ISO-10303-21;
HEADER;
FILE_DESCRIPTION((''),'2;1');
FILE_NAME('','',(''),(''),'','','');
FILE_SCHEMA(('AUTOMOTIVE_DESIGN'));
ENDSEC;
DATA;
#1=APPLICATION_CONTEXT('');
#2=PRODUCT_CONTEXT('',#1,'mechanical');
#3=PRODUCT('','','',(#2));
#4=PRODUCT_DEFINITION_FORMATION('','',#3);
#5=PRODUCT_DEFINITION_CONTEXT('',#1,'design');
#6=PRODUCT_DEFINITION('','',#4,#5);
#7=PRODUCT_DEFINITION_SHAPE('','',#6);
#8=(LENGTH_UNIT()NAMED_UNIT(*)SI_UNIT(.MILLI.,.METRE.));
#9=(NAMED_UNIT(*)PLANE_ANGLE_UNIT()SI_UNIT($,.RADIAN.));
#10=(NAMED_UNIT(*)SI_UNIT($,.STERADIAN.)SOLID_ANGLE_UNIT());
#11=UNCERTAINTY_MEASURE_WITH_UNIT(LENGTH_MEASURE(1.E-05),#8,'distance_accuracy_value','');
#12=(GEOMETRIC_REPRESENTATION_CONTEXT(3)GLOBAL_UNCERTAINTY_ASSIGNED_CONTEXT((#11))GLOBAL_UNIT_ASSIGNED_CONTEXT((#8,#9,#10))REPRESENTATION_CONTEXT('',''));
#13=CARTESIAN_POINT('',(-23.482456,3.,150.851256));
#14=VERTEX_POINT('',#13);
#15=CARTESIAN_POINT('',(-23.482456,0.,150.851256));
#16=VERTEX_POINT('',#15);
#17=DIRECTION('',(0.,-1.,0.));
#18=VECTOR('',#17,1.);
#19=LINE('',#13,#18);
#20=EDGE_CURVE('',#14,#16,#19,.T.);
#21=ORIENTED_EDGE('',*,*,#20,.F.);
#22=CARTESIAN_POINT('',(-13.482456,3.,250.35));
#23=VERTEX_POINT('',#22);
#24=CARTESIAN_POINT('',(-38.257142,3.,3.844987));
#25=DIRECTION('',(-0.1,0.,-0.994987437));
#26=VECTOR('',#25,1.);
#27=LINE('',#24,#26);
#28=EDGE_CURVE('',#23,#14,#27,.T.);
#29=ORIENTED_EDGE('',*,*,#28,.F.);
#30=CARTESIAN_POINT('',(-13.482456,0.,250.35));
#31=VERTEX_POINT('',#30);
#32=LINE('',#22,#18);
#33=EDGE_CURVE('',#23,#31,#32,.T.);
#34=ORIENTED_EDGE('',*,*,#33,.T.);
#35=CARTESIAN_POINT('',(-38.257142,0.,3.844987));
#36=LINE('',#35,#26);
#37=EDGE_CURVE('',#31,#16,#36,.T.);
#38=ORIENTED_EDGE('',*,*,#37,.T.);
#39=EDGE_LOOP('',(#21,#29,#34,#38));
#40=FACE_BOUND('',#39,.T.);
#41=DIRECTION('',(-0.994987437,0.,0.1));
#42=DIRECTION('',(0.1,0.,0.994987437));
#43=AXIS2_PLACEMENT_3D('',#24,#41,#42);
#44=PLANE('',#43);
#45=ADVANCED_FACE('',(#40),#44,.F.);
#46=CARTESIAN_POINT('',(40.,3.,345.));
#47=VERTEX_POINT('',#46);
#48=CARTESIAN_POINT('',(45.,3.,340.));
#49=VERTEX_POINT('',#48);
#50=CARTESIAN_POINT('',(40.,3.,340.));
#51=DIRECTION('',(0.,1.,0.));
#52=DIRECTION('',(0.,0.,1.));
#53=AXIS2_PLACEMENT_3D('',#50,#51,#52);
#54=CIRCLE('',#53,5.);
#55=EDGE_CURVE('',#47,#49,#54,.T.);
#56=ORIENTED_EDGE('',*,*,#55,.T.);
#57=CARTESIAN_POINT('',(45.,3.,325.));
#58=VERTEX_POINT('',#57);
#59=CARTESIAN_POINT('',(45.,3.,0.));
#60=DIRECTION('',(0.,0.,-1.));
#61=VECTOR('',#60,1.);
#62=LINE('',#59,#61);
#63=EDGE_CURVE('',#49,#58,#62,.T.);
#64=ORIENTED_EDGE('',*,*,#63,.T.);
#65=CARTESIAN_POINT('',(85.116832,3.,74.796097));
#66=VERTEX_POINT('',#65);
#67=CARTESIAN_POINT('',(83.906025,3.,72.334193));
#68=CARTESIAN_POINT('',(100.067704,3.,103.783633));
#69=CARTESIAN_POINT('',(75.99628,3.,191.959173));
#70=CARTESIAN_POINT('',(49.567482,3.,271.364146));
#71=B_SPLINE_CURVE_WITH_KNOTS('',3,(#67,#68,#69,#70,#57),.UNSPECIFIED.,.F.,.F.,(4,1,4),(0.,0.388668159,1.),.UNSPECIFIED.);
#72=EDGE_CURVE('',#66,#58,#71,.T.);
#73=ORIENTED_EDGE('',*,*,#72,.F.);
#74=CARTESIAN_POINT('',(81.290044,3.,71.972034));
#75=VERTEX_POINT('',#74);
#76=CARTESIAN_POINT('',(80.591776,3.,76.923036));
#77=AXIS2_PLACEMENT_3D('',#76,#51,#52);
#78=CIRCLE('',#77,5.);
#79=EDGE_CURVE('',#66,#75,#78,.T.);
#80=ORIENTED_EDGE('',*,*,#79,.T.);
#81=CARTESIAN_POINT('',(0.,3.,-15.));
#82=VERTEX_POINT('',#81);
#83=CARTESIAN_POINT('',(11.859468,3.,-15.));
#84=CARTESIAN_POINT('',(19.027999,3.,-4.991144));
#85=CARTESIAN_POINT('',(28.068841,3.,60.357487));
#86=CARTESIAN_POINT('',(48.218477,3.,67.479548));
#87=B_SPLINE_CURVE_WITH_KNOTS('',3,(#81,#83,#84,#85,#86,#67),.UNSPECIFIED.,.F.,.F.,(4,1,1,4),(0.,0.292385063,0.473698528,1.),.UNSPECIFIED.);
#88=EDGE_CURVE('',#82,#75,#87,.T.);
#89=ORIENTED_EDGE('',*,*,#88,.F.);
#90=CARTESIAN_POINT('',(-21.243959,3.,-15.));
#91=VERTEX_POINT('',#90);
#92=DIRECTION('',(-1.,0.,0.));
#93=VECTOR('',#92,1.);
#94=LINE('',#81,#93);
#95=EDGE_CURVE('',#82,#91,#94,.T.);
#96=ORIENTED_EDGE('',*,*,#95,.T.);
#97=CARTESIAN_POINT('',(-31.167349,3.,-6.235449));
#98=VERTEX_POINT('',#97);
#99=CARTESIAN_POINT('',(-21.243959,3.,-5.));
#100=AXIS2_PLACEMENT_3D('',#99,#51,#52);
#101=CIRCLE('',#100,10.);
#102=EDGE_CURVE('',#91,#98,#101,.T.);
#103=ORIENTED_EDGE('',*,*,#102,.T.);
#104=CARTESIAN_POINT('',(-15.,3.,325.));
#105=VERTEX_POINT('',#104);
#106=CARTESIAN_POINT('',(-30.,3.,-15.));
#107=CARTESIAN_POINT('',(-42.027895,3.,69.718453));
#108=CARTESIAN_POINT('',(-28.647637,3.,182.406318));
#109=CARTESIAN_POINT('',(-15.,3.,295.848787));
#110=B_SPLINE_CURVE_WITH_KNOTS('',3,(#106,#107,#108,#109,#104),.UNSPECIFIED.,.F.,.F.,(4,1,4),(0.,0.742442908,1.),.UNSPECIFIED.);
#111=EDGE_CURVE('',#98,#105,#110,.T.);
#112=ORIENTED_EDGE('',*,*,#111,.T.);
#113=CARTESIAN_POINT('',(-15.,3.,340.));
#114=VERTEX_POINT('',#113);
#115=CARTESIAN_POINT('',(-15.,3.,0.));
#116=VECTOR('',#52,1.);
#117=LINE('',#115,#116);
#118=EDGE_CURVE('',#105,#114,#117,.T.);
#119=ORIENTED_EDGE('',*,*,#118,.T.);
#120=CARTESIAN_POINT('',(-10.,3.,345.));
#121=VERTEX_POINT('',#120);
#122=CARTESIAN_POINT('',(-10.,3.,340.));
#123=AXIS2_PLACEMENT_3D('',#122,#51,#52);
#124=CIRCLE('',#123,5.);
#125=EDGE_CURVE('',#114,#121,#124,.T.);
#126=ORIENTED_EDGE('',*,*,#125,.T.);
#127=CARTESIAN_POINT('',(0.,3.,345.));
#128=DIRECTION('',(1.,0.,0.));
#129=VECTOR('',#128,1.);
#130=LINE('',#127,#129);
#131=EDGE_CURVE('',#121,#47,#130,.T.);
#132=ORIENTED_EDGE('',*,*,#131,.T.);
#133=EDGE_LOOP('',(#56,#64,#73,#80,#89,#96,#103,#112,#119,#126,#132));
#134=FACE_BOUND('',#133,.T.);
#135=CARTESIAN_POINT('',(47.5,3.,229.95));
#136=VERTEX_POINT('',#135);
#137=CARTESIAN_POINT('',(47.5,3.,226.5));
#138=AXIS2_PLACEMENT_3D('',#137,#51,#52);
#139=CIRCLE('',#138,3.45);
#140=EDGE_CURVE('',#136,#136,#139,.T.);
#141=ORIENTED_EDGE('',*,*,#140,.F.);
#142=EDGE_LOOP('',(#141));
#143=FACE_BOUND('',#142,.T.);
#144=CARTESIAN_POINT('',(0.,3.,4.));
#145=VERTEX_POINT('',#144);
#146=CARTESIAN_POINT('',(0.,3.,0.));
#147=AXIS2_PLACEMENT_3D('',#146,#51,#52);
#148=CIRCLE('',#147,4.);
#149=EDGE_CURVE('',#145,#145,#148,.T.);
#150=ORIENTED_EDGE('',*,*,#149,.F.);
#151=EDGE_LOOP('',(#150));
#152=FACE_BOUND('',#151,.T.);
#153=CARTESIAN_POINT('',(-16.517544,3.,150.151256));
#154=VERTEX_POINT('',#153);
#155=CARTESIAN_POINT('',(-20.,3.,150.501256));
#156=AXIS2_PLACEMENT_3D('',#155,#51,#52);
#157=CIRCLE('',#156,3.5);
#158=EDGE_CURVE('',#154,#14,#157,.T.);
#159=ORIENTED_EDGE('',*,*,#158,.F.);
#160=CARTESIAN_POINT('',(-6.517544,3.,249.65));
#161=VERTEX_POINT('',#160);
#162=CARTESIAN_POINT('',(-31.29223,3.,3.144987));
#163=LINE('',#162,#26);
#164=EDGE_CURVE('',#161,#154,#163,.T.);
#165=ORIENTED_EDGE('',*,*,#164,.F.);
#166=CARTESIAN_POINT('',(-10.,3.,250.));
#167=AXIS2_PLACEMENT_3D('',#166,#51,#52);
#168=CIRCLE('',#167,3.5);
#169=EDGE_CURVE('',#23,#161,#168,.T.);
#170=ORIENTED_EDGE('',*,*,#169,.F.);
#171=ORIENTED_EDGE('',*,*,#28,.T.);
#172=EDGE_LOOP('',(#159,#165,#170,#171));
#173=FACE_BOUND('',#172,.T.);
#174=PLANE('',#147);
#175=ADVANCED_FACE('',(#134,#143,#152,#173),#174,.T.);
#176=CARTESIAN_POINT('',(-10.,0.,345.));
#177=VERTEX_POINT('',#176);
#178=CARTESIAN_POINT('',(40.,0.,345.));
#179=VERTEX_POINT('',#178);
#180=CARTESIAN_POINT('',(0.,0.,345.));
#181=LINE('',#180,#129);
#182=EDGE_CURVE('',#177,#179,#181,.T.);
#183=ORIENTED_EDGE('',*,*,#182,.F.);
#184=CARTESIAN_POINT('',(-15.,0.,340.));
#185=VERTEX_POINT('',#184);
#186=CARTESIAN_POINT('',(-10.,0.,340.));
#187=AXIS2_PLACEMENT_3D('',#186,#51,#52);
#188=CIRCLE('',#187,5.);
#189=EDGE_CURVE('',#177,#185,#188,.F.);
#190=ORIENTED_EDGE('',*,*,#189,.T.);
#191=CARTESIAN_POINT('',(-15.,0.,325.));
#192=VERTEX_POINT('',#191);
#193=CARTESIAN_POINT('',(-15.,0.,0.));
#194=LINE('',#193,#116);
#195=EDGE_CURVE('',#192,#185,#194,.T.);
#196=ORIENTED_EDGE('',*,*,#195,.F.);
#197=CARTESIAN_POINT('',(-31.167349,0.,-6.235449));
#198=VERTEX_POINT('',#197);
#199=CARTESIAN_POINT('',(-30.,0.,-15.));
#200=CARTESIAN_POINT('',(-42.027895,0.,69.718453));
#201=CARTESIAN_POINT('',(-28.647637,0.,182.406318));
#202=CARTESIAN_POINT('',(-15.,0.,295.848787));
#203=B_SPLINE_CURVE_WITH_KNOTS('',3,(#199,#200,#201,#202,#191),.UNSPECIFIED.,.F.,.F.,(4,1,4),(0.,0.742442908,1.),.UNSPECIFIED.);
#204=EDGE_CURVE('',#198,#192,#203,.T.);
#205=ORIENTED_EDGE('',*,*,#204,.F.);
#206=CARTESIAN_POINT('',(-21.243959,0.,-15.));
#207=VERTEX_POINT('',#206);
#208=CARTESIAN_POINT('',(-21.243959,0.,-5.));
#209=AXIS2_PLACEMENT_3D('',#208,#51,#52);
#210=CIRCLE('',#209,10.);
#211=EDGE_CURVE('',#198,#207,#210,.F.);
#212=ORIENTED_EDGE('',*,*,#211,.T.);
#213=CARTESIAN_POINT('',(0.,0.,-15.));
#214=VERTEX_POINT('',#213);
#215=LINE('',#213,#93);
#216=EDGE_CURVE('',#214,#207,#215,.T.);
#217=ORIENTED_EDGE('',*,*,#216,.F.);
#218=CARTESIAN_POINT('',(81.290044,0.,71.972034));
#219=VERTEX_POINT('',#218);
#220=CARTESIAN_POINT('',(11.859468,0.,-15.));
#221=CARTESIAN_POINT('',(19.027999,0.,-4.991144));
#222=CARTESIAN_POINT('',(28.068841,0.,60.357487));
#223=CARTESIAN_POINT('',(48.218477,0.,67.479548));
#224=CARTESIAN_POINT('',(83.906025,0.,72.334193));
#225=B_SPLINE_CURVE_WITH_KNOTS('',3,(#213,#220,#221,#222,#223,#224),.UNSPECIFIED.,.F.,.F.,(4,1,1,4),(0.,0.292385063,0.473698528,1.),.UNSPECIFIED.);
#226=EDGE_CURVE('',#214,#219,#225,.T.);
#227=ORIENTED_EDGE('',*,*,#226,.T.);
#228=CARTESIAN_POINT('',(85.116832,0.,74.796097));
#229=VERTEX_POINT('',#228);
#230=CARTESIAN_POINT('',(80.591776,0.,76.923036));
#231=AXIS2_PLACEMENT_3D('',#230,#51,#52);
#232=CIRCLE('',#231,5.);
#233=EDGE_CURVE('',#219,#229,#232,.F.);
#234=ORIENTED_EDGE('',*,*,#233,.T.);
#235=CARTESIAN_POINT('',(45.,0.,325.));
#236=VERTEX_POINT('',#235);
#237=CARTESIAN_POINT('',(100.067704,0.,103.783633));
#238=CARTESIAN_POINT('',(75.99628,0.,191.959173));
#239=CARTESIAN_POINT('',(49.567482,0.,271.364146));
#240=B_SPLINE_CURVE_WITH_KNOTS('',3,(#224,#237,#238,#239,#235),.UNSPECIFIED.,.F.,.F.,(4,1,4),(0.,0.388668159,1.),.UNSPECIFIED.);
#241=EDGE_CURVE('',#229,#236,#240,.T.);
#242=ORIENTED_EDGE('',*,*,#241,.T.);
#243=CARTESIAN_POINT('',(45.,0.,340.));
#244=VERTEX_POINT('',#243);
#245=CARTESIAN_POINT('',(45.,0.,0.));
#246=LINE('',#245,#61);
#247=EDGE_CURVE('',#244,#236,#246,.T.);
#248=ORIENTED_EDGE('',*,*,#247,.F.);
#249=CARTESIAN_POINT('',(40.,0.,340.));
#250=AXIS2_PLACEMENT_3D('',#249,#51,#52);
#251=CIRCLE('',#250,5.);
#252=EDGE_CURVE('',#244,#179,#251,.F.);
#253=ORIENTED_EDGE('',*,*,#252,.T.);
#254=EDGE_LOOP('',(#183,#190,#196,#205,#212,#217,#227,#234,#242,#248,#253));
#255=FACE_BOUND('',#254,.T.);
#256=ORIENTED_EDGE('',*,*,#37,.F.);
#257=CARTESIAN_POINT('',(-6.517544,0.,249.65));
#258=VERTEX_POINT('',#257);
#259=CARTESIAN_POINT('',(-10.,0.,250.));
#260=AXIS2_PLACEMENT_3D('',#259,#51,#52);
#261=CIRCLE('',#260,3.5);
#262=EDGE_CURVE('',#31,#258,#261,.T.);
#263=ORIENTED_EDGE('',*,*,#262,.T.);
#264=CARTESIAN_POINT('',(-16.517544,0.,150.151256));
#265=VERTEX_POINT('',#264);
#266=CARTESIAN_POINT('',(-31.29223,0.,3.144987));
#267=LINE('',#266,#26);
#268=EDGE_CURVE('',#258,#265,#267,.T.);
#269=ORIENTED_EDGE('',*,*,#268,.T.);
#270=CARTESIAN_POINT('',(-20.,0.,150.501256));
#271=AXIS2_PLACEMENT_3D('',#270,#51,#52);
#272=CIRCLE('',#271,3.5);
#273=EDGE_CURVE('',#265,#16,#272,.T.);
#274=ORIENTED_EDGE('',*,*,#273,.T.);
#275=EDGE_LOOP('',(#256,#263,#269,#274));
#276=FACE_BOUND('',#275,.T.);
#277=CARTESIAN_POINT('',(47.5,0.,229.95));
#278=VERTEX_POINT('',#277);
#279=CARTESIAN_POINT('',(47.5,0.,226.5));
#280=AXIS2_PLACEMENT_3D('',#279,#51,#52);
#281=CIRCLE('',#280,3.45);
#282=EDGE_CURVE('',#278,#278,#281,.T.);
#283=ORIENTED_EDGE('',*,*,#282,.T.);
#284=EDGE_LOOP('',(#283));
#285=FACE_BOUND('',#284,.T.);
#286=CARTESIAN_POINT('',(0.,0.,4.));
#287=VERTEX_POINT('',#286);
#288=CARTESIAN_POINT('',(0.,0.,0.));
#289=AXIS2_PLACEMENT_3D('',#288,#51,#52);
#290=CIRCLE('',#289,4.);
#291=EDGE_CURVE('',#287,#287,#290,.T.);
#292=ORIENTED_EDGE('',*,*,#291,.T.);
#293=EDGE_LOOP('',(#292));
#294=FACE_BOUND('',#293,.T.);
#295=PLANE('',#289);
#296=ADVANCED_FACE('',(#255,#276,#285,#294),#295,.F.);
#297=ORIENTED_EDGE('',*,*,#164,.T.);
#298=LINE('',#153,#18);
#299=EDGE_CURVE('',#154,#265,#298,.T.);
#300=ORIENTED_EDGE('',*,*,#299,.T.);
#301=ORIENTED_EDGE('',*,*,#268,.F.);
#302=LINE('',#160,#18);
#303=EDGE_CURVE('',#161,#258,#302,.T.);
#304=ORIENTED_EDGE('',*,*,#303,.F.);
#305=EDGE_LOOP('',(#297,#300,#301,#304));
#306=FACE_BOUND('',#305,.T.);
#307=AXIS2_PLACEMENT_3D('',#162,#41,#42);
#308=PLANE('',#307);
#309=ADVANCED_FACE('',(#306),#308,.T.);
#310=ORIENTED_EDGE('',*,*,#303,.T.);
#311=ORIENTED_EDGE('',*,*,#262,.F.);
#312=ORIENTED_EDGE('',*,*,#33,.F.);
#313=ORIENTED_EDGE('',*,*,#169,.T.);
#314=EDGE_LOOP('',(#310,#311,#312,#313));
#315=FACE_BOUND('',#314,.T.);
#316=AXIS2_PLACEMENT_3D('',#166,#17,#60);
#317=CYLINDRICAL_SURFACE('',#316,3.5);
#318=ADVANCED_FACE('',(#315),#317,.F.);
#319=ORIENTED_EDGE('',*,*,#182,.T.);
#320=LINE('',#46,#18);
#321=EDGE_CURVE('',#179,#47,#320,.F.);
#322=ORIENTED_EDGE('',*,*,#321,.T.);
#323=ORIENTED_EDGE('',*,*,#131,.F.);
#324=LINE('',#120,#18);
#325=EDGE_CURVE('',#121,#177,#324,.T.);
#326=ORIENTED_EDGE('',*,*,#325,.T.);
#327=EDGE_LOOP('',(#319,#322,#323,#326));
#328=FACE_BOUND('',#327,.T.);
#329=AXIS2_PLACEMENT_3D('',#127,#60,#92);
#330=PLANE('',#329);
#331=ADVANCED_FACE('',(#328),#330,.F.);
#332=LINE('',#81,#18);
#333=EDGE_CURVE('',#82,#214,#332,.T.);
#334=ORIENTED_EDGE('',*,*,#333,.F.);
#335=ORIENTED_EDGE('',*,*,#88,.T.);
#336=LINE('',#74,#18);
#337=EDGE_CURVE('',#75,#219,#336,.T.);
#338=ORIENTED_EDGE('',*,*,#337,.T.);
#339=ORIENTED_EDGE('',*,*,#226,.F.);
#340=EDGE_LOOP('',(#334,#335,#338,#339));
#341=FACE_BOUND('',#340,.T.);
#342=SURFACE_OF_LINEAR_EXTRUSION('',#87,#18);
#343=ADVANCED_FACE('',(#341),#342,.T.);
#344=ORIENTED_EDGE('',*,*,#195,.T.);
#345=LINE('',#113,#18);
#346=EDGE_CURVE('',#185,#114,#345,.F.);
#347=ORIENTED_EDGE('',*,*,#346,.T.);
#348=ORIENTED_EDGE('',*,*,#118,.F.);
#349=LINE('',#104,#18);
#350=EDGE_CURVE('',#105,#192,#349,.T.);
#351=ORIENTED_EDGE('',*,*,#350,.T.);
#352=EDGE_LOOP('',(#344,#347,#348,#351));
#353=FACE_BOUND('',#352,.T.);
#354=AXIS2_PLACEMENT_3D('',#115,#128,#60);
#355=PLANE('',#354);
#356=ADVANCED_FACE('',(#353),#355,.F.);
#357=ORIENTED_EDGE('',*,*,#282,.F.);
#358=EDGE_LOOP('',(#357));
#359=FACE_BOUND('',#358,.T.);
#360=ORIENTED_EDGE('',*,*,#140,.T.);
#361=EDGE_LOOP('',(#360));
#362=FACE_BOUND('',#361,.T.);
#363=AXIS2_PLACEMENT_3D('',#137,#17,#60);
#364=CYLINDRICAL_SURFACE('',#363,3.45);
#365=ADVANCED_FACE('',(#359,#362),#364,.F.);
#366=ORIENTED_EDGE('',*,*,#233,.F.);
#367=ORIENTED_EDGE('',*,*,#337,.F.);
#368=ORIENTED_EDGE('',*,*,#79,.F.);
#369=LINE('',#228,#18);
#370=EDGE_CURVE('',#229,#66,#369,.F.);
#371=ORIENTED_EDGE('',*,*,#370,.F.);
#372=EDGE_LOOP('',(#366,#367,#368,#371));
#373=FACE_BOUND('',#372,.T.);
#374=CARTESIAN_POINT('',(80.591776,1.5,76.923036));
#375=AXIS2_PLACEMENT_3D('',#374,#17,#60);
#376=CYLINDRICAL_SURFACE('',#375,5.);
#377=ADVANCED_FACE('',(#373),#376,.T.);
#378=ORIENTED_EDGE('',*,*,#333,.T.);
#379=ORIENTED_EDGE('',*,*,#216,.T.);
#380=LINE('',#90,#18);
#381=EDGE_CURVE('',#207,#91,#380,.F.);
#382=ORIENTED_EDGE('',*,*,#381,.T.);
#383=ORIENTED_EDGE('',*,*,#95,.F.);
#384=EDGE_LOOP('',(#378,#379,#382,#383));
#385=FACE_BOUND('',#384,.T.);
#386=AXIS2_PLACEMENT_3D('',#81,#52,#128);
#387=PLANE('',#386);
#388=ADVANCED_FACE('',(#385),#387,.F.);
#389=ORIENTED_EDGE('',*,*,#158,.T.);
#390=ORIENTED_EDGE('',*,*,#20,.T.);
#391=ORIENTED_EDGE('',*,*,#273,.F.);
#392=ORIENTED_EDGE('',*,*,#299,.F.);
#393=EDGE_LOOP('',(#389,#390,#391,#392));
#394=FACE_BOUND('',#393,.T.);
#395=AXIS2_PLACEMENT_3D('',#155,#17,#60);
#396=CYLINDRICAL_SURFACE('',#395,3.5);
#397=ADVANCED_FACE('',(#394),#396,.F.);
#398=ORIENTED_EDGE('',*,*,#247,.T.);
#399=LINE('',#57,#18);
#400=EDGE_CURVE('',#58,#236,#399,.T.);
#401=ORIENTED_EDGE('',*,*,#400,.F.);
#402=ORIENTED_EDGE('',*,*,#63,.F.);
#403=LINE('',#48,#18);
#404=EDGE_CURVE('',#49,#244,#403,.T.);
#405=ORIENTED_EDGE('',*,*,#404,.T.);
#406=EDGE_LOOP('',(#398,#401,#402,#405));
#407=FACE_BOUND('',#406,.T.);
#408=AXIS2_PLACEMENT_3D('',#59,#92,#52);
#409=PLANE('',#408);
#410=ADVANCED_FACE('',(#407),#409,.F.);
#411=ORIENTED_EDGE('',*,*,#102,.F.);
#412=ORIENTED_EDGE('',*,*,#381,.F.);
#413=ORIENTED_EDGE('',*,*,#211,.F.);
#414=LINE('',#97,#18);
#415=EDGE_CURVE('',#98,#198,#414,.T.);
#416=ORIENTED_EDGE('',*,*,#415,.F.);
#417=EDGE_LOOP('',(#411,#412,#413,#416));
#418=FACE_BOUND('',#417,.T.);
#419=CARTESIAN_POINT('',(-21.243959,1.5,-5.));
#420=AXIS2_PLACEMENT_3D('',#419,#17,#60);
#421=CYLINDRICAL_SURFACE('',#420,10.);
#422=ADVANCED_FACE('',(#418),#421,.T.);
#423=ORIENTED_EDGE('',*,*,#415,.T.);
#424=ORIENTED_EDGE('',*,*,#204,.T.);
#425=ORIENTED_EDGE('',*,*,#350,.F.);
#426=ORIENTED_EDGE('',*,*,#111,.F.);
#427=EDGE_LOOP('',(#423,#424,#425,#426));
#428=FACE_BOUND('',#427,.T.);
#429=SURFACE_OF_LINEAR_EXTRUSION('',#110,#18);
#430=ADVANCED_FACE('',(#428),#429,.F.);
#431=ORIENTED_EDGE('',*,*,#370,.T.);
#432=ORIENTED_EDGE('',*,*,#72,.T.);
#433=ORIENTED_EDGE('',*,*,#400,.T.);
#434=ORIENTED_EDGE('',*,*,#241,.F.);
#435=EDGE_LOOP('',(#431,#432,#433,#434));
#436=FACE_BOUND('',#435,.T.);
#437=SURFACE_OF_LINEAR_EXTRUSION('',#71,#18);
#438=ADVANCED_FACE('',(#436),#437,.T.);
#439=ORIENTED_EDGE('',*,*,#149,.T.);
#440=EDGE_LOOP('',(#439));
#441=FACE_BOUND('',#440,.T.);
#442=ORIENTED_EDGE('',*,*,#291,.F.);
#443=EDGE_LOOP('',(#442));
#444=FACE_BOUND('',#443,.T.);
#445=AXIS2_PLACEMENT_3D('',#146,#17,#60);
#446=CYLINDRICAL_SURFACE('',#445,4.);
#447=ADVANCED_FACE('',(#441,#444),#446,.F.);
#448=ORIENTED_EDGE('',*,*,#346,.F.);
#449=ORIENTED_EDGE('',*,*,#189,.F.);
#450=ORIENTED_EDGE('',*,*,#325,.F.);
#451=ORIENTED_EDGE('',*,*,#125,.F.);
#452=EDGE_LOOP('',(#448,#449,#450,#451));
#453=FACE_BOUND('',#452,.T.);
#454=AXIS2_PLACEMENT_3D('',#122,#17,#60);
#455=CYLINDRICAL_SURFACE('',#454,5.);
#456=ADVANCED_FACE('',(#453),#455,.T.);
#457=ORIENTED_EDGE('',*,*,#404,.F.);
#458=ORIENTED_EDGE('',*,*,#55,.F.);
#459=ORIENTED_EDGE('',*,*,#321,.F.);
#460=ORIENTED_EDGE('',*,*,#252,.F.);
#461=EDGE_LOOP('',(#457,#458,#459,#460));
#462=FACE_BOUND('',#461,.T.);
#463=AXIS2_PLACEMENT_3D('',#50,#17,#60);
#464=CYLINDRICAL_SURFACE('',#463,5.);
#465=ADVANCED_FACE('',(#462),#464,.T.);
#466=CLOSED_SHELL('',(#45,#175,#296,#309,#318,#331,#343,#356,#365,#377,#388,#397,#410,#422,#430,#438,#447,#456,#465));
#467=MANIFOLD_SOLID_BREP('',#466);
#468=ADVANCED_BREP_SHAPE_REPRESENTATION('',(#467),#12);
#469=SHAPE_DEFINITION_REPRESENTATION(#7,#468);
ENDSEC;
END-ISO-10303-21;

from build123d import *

# Parameters (mm, degrees)
SKETCH1_R           = 4
SKETCH1_R_2         = 3.45
BOSS_EXTRUDE1_DEPTH = 3
FILLET1_R           = 5
FILLET2_R           = 10


with BuildPart() as part:
    # Sketch1 → Boss-Extrude1 (new body)
    with BuildSketch(Plane(origin=(0, 0, 0), x_dir=(1, 0, 0), z_dir=(0, 1, 0))):
        with BuildLine():
            Line((-15, -325), (-15, -345))
            Line((-15, -345), (45, -345))
            Line((45, -345), (45, -325))
            add(Edge.make_bspline(
                [(83.906024568, -72.334193472), (100.067703513, -103.783632704), (75.99628029, -191.959172621), (49.567481947, -271.364145728), (45, -325)],
                knots=[0, 0, 0, 0, 0.388668159, 1, 1, 1, 1], degree=3))
            add(Edge.make_bspline(
                [(0, 15), (11.859468256, 15), (19.027998929, 4.991144095), (28.068840843, -60.357487218), (48.218476882, -67.479548025), (83.906024568, -72.334193472)],
                knots=[0, 0, 0, 0, 0.292385063, 0.473698528, 1, 1, 1, 1], degree=3))
            Line((0, 15), (-30, 15))
            add(Edge.make_bspline(
                [(-30, 15), (-42.027894854, -69.718453242), (-28.647636574, -182.406317953), (-15, -295.84878712), (-15, -325)],
                knots=[0, 0, 0, 0, 0.742442908, 1, 1, 1, 1], degree=3))
        make_face()
        Circle(SKETCH1_R, mode=Mode.SUBTRACT)
        with Locations((47.5, -226.5)):
            Circle(SKETCH1_R_2, mode=Mode.SUBTRACT)
        with BuildLine():
            Line((-13.48245603, -250.35), (-23.48245603, -150.851256289))
            ThreePointArc((-23.48245603, -150.851256289), (-20.35, -147.018800259), (-16.51754397, -150.151256289))
            Line((-16.51754397, -150.151256289), (-6.51754397, -249.65))
            ThreePointArc((-6.51754397, -249.65), (-9.65, -253.48245603), (-13.48245603, -250.35))
        make_face(mode=Mode.SUBTRACT)
    extrude(amount=BOSS_EXTRUDE1_DEPTH)

    # Fillet1
    fillet1_edges = [part.edges().sort_by_distance(p)[0] for p in [
        (83.906024568, 1.5, 72.334193472),
        (45, 1.5, 345),
        (-15, 1.5, 345),
    ]]
    fillet(fillet1_edges, radius=FILLET1_R)

    # Fillet2
    fillet2_edges = [part.edges().sort_by_distance(p)[0] for p in [
        (-30, 1.5, -15),
    ]]
    fillet(fillet2_edges, radius=FILLET2_R)


solid = part.part
